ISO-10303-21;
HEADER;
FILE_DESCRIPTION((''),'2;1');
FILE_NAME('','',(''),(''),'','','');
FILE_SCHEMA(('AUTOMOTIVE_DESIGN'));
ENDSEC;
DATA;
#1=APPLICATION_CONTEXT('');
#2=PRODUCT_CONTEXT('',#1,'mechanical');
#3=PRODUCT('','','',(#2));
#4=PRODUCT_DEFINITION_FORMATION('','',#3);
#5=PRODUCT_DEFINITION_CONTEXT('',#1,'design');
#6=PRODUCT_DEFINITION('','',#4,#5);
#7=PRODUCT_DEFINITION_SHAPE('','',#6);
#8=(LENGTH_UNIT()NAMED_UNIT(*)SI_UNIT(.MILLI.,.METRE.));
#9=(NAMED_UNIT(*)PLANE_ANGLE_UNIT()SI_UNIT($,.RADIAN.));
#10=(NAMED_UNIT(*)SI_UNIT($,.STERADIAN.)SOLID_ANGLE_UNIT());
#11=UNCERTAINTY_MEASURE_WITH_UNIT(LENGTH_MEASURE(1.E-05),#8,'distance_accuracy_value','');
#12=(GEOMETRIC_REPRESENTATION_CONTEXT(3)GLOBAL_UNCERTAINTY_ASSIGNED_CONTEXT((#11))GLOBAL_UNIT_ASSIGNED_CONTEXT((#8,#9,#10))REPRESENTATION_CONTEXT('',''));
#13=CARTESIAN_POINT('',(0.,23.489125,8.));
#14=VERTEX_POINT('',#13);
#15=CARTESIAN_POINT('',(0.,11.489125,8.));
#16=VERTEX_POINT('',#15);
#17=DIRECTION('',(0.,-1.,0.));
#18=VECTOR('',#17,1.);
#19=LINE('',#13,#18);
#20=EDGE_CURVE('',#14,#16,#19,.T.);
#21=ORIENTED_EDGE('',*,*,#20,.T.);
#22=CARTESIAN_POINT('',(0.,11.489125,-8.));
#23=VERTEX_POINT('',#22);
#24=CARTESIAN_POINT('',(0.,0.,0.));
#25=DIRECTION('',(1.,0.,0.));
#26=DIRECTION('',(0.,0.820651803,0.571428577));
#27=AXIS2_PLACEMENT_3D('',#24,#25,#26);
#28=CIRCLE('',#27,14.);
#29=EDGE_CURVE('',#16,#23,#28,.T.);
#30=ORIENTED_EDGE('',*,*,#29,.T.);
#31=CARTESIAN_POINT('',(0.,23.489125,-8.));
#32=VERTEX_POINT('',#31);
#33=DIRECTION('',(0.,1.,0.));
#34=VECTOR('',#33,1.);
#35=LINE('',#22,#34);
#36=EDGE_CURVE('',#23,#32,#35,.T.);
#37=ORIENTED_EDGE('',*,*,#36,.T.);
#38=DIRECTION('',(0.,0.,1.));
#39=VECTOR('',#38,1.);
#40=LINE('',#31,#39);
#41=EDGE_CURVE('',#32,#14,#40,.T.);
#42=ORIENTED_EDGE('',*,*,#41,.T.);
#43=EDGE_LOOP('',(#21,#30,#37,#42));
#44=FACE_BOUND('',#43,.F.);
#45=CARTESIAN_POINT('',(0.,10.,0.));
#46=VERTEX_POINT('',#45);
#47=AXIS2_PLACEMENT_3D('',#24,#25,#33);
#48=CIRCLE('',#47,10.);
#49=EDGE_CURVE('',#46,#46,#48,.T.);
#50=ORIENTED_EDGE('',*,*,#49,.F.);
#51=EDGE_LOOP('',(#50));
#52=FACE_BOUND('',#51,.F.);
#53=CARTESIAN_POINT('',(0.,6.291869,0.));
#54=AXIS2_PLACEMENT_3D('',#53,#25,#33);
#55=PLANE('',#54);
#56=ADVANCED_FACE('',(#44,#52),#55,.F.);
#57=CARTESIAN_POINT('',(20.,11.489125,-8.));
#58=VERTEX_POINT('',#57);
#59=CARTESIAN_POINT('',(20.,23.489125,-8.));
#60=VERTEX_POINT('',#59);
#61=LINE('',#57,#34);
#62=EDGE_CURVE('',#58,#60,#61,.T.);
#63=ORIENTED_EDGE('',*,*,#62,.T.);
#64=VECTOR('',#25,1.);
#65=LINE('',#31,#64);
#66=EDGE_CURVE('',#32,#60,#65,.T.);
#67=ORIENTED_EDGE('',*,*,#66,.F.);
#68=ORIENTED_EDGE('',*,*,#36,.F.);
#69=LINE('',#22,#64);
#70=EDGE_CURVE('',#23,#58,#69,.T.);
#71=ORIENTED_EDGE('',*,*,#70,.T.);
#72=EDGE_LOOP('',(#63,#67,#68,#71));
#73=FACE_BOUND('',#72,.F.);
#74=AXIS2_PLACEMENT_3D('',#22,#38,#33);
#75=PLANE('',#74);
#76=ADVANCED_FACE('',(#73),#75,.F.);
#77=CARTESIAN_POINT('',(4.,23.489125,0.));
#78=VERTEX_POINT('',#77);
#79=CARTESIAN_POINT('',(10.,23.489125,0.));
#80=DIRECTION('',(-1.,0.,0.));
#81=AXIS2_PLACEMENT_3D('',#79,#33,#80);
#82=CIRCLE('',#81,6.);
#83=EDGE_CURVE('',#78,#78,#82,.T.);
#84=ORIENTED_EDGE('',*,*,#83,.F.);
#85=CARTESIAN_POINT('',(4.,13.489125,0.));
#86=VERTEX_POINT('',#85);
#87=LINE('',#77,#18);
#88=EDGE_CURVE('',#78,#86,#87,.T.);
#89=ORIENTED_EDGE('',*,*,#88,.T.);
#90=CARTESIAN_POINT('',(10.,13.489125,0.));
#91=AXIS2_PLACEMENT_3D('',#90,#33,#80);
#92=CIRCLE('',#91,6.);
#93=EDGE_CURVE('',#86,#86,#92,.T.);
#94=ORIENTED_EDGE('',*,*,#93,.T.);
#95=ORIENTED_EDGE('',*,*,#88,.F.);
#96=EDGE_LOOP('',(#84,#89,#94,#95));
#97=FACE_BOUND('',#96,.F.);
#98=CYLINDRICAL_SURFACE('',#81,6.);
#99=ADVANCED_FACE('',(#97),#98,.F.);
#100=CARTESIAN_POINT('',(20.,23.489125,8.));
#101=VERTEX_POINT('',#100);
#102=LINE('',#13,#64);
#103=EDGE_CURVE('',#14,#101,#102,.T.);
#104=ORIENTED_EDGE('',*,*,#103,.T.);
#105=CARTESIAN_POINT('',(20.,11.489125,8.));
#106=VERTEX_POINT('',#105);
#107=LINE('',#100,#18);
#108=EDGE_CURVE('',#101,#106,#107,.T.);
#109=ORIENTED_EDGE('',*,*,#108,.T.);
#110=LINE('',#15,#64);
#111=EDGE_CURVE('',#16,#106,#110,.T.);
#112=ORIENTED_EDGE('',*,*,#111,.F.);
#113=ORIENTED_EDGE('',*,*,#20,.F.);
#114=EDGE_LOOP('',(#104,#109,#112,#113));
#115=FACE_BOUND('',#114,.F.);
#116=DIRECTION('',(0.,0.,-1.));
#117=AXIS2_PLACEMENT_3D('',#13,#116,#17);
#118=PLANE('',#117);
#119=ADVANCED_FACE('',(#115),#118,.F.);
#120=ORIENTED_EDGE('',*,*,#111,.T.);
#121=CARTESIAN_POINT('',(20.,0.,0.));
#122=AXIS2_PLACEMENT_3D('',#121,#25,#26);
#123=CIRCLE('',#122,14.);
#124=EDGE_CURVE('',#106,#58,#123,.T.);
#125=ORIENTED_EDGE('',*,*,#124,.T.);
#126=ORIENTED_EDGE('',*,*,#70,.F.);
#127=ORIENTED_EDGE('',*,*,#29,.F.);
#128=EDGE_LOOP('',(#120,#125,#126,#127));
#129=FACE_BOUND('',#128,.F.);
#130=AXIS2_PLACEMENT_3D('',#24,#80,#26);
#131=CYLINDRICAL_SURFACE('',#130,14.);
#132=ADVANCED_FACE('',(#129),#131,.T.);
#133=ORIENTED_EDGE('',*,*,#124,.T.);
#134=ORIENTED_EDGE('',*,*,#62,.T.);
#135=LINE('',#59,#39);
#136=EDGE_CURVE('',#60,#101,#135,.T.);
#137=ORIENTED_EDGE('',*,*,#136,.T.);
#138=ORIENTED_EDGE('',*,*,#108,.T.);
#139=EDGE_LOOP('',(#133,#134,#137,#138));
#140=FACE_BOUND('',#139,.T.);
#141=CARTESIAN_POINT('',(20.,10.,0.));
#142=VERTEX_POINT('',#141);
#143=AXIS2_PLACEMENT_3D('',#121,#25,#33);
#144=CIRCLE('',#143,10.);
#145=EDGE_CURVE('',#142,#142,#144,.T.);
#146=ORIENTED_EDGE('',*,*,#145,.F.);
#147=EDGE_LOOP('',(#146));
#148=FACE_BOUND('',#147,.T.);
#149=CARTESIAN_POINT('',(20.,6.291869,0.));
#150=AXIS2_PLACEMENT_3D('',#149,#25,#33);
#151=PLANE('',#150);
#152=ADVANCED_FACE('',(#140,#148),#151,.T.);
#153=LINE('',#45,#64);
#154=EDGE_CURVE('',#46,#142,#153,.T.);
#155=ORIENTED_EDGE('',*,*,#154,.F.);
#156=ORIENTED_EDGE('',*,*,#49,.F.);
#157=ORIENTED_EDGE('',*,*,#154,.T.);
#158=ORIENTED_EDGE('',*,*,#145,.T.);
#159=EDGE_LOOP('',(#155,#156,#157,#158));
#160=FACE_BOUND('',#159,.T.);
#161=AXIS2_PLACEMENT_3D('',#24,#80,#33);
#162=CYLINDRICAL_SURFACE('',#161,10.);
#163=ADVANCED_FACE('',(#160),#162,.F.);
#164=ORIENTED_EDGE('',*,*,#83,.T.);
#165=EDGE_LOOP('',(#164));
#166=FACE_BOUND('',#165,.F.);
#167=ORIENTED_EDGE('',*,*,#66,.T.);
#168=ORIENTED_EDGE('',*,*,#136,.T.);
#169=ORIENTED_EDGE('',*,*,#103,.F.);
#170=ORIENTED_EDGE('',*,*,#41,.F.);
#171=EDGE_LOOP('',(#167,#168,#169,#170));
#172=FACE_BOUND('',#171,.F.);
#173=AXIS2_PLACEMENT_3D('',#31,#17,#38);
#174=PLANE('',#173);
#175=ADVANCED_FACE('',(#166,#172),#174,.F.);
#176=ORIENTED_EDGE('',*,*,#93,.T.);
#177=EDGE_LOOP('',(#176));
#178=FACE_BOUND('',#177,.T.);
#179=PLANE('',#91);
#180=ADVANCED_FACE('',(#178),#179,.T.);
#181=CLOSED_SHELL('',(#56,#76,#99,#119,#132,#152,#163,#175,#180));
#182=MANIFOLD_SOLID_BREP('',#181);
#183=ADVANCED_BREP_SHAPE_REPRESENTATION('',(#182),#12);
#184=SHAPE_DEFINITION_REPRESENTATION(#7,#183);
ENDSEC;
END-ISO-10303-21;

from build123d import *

# Parameters (mm, degrees)
F0_R     = 10
F1_DEPTH = 20
F2_R     = 6
F3_DEPTH = 10


with BuildPart() as f1:
    # F0 (on Right) → F1 (new body)
    with BuildSketch(Plane.YZ):
        with BuildLine():
            Line((23.489125, 8), (11.489125, 8))
            ThreePointArc((11.489125, 8), (-14, 0), (11.489125, -8))
            Line((11.489125, -8), (23.489125, -8))
            Line((23.489125, -8), (23.489125, 8))
        make_face()
        Circle(F0_R, mode=Mode.SUBTRACT)
    extrude(amount=F1_DEPTH)

    # F2 (on face) → F3 (cut)
    with BuildSketch(Plane(origin=(0, 23.489125, 0), x_dir=(-1, 0, 0), z_dir=(0, 1, 0))):
        with Locations((-10, 0)):
            Circle(F2_R)
    extrude(amount=-F3_DEPTH, mode=Mode.SUBTRACT)


solid = f1.part
